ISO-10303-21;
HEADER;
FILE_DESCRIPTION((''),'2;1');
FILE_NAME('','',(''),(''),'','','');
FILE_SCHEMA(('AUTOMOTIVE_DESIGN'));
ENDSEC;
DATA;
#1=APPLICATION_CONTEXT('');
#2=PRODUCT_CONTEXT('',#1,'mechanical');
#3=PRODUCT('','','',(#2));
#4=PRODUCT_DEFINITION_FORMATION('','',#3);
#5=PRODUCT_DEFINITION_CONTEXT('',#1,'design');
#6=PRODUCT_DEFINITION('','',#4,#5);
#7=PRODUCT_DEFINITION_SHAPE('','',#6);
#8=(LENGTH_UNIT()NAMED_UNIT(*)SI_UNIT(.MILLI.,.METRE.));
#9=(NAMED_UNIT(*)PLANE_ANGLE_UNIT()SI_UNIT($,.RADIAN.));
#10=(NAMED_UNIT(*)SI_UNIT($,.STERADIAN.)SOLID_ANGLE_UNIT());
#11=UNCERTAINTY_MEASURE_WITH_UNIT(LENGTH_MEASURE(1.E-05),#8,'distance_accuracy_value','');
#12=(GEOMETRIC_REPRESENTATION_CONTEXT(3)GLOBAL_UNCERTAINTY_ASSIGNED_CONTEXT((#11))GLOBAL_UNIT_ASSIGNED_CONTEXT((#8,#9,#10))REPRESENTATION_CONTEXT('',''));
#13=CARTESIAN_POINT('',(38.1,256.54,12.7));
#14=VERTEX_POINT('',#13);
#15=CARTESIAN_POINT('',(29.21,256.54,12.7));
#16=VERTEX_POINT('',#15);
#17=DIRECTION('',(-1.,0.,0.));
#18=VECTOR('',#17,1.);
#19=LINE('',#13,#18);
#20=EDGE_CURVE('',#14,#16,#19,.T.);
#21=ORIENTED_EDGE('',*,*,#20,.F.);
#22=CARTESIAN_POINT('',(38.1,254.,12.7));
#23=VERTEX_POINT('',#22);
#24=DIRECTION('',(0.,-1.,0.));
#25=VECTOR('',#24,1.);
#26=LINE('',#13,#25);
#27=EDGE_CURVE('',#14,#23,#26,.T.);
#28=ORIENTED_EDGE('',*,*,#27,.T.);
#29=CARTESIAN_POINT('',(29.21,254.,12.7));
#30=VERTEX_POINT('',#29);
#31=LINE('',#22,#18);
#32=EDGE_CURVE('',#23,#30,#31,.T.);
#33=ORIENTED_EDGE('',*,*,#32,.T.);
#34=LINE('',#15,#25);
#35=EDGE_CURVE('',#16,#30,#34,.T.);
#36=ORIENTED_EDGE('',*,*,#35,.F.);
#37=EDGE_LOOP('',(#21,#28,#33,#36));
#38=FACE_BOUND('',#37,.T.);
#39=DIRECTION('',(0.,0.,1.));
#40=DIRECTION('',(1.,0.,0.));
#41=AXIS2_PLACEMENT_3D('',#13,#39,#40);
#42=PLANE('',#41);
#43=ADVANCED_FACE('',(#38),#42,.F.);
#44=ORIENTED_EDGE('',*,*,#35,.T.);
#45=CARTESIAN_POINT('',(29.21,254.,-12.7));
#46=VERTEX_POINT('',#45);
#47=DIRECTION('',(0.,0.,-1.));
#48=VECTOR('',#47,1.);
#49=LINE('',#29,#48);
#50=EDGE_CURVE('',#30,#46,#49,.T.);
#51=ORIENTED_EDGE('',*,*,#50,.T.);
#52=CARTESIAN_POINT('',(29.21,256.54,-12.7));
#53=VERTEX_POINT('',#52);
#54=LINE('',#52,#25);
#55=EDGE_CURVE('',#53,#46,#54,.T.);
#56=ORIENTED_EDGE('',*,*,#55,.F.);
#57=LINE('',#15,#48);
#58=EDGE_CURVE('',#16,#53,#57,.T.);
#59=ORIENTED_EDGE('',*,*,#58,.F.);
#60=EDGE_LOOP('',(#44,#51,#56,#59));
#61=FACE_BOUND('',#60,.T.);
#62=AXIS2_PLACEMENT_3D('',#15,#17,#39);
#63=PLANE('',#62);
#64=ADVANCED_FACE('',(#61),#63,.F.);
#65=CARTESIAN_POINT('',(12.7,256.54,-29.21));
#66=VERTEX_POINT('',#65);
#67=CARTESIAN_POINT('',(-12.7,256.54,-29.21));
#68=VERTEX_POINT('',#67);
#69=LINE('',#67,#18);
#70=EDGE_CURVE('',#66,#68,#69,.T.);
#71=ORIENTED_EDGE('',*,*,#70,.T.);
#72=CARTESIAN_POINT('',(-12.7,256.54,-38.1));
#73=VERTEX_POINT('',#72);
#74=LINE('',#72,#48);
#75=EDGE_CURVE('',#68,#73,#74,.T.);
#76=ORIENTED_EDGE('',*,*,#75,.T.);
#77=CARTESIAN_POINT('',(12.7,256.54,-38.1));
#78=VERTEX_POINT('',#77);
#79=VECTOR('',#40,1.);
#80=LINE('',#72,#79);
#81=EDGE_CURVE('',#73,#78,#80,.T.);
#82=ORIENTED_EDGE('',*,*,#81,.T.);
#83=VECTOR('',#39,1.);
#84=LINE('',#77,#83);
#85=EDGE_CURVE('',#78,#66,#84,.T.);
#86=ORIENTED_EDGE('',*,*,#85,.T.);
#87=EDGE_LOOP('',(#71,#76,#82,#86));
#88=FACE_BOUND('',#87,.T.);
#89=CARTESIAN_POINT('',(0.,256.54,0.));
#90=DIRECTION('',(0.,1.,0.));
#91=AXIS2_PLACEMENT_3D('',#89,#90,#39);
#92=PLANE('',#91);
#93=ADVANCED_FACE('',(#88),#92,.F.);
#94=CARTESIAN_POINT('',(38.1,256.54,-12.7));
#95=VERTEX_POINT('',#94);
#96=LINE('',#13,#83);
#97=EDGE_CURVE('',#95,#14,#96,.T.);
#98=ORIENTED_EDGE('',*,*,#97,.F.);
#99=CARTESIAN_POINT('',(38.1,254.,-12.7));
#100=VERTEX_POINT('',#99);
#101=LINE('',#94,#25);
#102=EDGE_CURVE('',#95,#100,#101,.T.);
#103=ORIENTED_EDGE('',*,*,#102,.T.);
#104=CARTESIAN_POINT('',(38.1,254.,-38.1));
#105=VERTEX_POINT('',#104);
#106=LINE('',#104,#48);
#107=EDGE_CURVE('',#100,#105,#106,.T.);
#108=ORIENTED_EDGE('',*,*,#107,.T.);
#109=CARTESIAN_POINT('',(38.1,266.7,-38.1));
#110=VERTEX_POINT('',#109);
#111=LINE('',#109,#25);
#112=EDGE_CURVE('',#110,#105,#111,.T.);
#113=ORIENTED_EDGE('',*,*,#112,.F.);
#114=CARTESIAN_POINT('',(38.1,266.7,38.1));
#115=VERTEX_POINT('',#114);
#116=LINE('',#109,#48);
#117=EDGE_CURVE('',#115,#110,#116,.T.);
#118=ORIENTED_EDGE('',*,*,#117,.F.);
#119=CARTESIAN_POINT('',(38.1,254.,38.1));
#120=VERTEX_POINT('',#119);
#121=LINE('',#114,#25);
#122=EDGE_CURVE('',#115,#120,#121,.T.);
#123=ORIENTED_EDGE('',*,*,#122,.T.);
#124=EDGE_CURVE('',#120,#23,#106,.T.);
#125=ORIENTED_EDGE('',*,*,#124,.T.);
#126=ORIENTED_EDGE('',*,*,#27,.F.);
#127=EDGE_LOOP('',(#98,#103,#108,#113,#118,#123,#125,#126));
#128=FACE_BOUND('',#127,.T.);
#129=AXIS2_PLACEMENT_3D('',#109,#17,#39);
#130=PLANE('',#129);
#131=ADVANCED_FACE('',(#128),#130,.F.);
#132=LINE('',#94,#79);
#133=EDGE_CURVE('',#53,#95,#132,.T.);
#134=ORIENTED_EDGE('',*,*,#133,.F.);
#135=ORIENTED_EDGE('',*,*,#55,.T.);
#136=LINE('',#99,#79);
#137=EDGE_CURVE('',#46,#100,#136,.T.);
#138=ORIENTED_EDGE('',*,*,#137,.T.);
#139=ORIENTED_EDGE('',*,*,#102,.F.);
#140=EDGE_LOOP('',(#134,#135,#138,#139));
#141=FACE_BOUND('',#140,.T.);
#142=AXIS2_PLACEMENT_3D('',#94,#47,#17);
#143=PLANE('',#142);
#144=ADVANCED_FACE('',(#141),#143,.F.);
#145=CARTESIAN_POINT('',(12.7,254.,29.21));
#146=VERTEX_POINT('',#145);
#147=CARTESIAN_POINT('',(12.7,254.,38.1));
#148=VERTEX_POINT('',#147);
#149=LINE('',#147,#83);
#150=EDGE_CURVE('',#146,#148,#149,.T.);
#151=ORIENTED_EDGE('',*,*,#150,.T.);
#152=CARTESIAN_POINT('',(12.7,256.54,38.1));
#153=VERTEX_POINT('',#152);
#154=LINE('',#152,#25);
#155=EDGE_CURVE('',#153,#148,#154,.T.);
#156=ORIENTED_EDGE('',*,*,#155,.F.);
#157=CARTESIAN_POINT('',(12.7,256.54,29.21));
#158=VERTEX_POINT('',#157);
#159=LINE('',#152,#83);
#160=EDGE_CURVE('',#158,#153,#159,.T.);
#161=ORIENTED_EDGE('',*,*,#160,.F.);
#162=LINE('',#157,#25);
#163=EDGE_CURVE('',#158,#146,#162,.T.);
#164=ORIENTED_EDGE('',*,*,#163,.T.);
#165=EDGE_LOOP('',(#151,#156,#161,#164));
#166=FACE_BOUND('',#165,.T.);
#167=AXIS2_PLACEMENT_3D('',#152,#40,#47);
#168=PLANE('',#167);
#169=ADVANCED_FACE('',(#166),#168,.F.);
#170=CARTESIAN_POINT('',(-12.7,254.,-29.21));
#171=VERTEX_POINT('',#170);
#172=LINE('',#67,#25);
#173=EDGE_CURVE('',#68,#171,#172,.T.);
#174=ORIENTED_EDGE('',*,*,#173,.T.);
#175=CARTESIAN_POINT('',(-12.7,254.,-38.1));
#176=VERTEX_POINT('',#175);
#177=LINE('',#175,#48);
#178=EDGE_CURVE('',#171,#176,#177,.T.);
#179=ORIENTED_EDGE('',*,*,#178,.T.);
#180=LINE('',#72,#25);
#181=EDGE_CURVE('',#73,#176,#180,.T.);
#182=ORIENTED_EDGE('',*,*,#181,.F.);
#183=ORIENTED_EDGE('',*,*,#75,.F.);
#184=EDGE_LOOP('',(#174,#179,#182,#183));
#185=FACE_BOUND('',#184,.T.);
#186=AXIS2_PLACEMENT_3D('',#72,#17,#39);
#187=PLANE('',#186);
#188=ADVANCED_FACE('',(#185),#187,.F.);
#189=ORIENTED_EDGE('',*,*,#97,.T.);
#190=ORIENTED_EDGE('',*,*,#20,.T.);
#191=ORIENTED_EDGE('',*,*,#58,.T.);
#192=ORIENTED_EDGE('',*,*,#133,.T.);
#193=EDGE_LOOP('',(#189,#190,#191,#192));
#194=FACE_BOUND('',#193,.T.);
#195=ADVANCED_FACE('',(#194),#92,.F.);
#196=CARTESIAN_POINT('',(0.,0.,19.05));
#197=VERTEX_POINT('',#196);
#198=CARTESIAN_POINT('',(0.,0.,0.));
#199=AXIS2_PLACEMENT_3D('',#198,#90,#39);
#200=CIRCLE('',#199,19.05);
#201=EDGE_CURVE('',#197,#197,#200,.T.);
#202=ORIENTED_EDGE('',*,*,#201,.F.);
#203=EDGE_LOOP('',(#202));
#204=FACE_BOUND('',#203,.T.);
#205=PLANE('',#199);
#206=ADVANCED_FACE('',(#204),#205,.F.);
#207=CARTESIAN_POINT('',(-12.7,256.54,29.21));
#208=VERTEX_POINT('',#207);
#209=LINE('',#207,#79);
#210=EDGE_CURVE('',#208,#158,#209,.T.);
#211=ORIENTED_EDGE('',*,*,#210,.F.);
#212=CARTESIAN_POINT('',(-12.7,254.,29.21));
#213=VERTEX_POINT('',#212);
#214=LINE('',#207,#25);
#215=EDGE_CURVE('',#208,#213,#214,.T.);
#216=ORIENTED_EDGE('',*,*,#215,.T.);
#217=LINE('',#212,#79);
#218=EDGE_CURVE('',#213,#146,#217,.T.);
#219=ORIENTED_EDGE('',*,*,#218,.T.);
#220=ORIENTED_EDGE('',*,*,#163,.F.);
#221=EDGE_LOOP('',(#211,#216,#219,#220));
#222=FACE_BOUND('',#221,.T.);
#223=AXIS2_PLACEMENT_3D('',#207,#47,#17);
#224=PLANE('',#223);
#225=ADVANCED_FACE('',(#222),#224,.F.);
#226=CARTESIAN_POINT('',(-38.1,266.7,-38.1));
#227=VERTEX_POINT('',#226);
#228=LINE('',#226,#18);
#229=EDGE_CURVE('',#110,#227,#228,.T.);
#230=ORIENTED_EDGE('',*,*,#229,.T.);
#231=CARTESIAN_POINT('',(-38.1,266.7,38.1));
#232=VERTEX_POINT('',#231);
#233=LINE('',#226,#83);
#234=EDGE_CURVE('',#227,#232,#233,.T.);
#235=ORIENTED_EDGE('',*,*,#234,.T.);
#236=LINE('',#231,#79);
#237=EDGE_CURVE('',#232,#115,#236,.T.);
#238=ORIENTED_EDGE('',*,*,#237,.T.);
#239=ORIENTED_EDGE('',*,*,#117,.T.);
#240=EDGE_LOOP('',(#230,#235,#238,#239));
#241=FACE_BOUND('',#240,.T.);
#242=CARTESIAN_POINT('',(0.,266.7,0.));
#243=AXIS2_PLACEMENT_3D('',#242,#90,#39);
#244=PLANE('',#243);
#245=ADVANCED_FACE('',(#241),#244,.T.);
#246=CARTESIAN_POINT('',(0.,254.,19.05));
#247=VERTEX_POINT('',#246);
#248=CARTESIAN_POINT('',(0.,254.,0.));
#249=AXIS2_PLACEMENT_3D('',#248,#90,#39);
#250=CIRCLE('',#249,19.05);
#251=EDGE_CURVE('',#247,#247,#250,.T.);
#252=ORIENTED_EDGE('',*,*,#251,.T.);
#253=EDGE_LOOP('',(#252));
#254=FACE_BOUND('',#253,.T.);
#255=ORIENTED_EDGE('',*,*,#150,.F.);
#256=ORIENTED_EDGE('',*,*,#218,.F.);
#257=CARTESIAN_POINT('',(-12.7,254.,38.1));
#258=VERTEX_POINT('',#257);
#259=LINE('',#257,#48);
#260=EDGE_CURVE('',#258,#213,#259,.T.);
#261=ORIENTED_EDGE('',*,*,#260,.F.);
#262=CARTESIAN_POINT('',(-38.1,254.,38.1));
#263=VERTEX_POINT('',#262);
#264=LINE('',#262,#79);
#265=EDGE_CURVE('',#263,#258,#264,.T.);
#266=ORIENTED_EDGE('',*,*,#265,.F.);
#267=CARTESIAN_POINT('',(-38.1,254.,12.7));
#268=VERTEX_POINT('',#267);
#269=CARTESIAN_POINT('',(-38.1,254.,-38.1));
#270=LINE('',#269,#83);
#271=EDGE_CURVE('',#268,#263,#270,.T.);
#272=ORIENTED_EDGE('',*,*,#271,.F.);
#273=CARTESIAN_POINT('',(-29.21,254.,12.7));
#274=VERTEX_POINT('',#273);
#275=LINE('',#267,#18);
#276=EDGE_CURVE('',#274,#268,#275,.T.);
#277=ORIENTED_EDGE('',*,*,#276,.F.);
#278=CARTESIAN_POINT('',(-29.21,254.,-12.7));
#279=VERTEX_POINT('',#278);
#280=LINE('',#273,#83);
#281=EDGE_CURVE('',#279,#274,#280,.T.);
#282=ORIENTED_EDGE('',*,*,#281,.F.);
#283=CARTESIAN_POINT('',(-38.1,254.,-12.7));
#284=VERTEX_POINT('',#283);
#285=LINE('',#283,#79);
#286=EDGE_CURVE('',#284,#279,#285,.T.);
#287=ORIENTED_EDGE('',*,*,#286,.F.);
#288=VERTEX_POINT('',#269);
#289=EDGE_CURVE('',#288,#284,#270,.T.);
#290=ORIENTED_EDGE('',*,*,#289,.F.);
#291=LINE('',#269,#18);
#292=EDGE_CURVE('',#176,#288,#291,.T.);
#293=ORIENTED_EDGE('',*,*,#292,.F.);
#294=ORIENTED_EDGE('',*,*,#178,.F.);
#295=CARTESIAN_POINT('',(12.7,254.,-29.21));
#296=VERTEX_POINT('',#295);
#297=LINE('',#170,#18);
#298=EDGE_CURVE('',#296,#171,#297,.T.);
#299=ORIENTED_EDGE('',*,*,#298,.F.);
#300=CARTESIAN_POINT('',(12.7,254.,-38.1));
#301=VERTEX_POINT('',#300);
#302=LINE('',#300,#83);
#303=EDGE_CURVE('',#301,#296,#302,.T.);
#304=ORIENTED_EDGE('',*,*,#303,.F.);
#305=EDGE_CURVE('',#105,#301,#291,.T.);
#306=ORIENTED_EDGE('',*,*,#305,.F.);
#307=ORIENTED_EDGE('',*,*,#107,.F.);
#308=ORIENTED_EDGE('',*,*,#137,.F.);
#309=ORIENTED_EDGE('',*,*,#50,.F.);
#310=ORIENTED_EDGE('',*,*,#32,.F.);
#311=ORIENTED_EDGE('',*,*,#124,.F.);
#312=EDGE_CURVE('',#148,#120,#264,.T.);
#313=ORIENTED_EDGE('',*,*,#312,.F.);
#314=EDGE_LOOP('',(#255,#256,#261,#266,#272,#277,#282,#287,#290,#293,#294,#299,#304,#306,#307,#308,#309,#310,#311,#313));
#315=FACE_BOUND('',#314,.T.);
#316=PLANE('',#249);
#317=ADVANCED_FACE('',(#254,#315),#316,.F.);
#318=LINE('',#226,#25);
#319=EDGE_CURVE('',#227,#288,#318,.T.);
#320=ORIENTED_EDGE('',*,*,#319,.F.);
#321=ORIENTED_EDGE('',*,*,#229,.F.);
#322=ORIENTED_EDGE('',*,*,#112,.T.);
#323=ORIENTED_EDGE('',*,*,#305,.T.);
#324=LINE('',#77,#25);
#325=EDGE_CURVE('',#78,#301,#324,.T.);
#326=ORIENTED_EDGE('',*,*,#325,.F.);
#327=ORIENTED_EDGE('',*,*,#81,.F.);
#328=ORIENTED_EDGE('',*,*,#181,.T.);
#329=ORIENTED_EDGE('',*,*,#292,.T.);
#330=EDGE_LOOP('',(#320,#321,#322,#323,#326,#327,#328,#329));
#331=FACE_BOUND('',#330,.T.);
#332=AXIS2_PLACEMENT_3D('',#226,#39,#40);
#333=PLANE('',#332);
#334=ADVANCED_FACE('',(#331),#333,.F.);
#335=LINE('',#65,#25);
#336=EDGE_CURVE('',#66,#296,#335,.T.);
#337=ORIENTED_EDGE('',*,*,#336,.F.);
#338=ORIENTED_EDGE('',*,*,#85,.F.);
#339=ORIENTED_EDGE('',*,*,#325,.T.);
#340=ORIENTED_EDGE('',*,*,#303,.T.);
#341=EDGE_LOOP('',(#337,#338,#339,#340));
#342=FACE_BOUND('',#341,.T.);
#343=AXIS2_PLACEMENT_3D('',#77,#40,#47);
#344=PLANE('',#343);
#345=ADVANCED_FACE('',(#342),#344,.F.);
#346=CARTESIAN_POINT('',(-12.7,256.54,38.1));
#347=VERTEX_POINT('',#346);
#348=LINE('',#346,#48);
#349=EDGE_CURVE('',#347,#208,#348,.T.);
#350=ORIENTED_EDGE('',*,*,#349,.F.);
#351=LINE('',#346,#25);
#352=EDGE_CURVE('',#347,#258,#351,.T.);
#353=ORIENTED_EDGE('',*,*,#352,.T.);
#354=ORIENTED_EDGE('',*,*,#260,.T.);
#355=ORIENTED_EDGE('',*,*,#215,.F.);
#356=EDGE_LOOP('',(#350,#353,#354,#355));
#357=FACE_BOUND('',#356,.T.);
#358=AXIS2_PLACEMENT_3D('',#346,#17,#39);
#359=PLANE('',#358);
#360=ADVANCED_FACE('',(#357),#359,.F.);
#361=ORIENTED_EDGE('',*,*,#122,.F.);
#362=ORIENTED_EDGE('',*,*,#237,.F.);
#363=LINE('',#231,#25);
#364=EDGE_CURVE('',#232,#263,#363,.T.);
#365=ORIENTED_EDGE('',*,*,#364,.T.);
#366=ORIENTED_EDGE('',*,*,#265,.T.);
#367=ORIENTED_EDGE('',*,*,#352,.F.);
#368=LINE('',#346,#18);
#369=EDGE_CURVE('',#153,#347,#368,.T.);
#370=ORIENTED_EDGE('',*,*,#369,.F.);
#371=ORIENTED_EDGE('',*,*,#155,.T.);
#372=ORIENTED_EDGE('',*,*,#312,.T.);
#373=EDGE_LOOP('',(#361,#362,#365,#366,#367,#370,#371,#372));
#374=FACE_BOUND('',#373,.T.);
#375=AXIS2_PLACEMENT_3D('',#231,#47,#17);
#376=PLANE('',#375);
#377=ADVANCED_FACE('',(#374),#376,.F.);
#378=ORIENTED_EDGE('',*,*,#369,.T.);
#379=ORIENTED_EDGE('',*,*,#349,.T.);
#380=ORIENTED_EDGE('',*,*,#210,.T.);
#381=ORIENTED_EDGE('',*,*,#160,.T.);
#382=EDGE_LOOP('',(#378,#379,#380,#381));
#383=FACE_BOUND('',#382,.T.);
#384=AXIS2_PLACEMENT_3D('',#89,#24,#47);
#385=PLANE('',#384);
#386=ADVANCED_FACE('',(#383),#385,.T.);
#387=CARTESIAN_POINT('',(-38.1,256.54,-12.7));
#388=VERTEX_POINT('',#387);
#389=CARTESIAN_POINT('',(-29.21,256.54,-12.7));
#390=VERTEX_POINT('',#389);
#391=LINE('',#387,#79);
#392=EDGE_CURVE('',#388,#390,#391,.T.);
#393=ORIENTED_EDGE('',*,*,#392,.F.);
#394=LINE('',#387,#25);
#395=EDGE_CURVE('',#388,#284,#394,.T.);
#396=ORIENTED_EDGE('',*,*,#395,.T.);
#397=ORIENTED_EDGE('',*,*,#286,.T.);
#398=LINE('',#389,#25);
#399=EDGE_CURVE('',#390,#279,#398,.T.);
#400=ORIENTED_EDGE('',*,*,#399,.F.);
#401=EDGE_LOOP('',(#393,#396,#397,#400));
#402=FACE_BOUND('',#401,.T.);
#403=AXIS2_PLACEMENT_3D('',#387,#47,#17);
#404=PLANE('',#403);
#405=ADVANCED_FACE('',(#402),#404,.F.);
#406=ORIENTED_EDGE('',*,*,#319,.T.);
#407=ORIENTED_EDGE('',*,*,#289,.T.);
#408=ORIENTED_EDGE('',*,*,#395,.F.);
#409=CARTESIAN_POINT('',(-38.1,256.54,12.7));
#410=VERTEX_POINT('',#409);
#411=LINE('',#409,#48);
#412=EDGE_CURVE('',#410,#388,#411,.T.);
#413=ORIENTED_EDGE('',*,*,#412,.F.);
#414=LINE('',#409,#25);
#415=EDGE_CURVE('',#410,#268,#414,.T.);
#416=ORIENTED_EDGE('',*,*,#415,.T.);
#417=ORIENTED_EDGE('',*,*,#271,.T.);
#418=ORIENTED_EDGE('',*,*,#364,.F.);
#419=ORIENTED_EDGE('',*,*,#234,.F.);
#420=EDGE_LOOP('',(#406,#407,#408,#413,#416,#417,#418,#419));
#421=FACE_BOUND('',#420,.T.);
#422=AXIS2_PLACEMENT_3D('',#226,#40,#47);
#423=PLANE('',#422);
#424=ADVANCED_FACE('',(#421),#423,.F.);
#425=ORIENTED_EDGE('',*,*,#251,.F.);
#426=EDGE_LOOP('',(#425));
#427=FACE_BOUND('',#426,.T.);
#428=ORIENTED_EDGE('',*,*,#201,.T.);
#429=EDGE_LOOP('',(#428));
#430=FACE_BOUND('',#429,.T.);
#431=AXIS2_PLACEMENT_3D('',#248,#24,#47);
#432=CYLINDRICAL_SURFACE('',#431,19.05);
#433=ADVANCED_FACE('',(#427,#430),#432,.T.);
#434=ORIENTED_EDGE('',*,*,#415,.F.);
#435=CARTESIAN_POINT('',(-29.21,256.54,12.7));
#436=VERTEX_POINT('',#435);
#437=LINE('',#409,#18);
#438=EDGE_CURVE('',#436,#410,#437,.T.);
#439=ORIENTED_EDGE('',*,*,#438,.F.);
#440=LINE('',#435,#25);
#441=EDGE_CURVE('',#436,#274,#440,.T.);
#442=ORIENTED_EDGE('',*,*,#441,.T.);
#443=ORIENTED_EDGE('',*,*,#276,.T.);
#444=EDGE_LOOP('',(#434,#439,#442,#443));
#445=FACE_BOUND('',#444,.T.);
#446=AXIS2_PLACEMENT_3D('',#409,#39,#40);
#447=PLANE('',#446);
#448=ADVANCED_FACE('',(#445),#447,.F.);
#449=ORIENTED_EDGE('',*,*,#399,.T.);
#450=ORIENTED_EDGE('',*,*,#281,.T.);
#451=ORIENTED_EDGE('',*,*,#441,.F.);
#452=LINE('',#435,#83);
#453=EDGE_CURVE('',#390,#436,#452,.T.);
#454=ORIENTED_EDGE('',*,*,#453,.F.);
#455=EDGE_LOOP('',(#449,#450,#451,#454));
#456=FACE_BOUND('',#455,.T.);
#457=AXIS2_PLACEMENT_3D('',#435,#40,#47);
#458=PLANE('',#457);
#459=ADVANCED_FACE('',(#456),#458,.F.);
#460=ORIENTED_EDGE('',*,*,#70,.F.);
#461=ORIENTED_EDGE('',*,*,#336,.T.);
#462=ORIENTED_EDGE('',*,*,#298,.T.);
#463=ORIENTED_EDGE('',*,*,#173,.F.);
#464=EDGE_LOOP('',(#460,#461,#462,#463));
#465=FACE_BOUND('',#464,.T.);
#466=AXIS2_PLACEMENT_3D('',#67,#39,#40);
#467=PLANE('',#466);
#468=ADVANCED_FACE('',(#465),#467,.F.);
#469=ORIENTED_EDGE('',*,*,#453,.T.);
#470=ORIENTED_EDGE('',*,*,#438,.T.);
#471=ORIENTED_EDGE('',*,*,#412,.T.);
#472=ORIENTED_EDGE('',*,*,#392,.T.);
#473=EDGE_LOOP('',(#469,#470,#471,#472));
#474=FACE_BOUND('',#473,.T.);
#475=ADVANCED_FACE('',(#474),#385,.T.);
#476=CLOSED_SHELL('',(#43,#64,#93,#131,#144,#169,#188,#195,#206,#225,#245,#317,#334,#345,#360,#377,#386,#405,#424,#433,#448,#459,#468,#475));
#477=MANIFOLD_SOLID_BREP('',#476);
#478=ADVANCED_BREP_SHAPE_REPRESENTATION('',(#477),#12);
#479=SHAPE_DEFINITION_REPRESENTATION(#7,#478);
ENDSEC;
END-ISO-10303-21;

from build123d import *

# Parameters (mm, degrees)
SKETCH1_R           = 19.05
BOSS_EXTRUDE1_DEPTH = 254
SKETCH5_W           = 76.2
SKETCH5_H           = 76.2
BOSS_EXTRUDE3_DEPTH = 12.7
SKETCH6_W           = 8.89
SKETCH6_H           = 25.4
SKETCH6_W_2         = 25.4
SKETCH6_H_2         = 8.89
CUT_EXTRUDE1_DEPTH  = 2.54


with BuildPart() as part:
    # Sketch1 → Boss-Extrude1 (new body)
    with BuildSketch(Plane(origin=(0, 0, 0), x_dir=(1, 0, 0), z_dir=(0, 1, 0))):
        Circle(SKETCH1_R)
    extrude(amount=BOSS_EXTRUDE1_DEPTH)

    # Sketch5 → Boss-Extrude3 (add)
    with BuildSketch(Plane(origin=(0, 254, 0), x_dir=(1, 0, 0), z_dir=(0, 1, 0))):
        Rectangle(SKETCH5_W, SKETCH5_H)
    extrude(amount=BOSS_EXTRUDE3_DEPTH)

    # Sketch6 → Cut-Extrude1 (cut)
    with BuildSketch(Plane.XZ.offset(-254)):
        with Locations((-33.655, 0)):
            Rectangle(SKETCH6_W, SKETCH6_H)
        with Locations((0, 33.655)):
            Rectangle(SKETCH6_W_2, SKETCH6_H_2)
        with Locations((33.655, 0)):
            Rectangle(SKETCH6_W, SKETCH6_H)
        with Locations((0, -33.655)):
            Rectangle(SKETCH6_W_2, SKETCH6_H_2)
    extrude(amount=-CUT_EXTRUDE1_DEPTH, mode=Mode.SUBTRACT)


solid = part.part
